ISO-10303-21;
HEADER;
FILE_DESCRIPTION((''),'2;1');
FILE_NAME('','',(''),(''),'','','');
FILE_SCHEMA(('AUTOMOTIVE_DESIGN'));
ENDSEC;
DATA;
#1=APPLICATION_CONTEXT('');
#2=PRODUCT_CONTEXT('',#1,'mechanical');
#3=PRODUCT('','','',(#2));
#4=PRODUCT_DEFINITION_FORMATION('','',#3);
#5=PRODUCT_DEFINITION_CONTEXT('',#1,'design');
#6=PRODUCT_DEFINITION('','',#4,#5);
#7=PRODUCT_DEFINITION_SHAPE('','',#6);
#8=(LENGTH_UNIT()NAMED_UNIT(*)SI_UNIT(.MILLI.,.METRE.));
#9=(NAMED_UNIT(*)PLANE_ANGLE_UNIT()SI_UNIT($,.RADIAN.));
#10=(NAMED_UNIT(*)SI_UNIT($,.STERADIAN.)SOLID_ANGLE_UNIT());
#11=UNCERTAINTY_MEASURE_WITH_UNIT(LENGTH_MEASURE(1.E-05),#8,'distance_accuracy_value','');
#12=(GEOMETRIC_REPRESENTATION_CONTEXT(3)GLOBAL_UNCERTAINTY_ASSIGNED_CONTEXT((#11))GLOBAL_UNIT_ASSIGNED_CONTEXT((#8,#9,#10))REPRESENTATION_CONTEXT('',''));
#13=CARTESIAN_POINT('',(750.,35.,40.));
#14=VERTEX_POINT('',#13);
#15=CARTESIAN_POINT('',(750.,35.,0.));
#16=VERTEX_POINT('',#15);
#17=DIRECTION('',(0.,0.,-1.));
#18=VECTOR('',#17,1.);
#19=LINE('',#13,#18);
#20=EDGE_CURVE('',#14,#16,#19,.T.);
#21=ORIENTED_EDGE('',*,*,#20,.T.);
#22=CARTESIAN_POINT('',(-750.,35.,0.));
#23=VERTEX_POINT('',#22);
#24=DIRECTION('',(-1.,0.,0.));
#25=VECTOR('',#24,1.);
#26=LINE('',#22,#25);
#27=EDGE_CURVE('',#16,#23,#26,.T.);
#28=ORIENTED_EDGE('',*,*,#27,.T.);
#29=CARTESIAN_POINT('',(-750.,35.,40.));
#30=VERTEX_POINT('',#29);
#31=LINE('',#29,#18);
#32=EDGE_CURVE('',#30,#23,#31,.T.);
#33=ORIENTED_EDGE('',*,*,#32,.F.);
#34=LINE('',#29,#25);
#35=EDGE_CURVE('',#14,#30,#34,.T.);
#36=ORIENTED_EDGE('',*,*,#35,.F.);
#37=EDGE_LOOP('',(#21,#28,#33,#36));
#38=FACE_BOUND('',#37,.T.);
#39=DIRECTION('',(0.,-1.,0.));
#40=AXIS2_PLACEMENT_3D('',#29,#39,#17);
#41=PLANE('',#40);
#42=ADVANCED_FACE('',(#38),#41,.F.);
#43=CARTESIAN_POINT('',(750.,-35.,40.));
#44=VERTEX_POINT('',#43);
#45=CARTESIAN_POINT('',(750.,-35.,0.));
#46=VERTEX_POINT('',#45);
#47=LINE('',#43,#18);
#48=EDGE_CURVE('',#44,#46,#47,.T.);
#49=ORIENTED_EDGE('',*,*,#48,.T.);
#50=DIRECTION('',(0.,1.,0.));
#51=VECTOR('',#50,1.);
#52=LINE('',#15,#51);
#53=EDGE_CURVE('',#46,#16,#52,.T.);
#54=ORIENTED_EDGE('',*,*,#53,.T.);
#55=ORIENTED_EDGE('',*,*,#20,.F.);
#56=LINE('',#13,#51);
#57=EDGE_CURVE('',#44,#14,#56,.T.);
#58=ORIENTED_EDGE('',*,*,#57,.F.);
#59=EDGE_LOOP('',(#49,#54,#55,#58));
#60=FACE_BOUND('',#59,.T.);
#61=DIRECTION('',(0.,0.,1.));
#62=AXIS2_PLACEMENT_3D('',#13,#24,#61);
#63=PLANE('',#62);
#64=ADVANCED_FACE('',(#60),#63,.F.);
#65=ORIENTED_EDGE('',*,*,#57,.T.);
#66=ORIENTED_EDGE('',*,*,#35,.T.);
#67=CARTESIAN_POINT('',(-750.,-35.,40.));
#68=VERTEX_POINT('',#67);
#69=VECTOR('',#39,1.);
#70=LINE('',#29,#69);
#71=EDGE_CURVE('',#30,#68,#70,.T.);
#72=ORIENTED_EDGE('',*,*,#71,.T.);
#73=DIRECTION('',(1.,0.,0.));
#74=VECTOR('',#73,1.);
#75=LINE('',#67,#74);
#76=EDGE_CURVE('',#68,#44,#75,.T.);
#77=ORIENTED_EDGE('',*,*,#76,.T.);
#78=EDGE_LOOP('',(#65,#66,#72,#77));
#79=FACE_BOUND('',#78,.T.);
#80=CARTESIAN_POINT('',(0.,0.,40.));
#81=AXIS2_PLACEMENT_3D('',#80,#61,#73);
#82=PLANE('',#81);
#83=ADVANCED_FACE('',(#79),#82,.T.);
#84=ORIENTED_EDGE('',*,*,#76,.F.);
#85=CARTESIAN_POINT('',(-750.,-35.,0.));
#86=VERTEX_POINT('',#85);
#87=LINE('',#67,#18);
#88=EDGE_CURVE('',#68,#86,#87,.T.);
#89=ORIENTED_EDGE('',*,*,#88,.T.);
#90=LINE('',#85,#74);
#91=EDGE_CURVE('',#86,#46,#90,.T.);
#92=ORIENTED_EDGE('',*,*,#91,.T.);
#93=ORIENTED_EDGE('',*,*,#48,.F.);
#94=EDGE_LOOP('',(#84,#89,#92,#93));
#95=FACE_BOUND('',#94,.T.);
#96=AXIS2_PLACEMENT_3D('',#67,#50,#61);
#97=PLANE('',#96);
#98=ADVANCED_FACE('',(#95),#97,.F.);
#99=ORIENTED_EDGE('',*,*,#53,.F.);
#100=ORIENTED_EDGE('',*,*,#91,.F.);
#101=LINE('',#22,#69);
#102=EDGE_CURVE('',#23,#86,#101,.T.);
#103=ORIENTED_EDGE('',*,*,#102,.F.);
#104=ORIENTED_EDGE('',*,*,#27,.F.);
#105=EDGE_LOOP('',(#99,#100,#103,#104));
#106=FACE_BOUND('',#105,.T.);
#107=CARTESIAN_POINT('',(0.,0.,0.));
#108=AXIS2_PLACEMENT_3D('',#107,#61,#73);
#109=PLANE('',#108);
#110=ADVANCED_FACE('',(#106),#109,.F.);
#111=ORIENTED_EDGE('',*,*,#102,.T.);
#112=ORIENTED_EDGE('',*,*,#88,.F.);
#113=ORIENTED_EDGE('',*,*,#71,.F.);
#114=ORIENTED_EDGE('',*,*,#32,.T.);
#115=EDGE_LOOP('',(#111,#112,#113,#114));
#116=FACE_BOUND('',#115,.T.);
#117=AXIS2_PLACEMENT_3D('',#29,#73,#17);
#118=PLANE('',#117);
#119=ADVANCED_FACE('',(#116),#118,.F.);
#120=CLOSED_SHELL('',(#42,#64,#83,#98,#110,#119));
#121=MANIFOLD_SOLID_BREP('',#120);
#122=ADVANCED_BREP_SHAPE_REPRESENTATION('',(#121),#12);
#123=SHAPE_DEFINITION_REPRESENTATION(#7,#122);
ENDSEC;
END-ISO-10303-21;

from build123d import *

# Parameters (mm, degrees)
SKETCH_1_W      = 1500
SKETCH_1_H      = 70
EXTRUDE_1_DEPTH = 40


with BuildPart() as part:
    # Эскиз1 → Бобышка-Вытянуть1 (new body)
    with BuildSketch(Plane.XY):
        Rectangle(SKETCH_1_W, SKETCH_1_H)
    extrude(amount=EXTRUDE_1_DEPTH)


solid = part.part
